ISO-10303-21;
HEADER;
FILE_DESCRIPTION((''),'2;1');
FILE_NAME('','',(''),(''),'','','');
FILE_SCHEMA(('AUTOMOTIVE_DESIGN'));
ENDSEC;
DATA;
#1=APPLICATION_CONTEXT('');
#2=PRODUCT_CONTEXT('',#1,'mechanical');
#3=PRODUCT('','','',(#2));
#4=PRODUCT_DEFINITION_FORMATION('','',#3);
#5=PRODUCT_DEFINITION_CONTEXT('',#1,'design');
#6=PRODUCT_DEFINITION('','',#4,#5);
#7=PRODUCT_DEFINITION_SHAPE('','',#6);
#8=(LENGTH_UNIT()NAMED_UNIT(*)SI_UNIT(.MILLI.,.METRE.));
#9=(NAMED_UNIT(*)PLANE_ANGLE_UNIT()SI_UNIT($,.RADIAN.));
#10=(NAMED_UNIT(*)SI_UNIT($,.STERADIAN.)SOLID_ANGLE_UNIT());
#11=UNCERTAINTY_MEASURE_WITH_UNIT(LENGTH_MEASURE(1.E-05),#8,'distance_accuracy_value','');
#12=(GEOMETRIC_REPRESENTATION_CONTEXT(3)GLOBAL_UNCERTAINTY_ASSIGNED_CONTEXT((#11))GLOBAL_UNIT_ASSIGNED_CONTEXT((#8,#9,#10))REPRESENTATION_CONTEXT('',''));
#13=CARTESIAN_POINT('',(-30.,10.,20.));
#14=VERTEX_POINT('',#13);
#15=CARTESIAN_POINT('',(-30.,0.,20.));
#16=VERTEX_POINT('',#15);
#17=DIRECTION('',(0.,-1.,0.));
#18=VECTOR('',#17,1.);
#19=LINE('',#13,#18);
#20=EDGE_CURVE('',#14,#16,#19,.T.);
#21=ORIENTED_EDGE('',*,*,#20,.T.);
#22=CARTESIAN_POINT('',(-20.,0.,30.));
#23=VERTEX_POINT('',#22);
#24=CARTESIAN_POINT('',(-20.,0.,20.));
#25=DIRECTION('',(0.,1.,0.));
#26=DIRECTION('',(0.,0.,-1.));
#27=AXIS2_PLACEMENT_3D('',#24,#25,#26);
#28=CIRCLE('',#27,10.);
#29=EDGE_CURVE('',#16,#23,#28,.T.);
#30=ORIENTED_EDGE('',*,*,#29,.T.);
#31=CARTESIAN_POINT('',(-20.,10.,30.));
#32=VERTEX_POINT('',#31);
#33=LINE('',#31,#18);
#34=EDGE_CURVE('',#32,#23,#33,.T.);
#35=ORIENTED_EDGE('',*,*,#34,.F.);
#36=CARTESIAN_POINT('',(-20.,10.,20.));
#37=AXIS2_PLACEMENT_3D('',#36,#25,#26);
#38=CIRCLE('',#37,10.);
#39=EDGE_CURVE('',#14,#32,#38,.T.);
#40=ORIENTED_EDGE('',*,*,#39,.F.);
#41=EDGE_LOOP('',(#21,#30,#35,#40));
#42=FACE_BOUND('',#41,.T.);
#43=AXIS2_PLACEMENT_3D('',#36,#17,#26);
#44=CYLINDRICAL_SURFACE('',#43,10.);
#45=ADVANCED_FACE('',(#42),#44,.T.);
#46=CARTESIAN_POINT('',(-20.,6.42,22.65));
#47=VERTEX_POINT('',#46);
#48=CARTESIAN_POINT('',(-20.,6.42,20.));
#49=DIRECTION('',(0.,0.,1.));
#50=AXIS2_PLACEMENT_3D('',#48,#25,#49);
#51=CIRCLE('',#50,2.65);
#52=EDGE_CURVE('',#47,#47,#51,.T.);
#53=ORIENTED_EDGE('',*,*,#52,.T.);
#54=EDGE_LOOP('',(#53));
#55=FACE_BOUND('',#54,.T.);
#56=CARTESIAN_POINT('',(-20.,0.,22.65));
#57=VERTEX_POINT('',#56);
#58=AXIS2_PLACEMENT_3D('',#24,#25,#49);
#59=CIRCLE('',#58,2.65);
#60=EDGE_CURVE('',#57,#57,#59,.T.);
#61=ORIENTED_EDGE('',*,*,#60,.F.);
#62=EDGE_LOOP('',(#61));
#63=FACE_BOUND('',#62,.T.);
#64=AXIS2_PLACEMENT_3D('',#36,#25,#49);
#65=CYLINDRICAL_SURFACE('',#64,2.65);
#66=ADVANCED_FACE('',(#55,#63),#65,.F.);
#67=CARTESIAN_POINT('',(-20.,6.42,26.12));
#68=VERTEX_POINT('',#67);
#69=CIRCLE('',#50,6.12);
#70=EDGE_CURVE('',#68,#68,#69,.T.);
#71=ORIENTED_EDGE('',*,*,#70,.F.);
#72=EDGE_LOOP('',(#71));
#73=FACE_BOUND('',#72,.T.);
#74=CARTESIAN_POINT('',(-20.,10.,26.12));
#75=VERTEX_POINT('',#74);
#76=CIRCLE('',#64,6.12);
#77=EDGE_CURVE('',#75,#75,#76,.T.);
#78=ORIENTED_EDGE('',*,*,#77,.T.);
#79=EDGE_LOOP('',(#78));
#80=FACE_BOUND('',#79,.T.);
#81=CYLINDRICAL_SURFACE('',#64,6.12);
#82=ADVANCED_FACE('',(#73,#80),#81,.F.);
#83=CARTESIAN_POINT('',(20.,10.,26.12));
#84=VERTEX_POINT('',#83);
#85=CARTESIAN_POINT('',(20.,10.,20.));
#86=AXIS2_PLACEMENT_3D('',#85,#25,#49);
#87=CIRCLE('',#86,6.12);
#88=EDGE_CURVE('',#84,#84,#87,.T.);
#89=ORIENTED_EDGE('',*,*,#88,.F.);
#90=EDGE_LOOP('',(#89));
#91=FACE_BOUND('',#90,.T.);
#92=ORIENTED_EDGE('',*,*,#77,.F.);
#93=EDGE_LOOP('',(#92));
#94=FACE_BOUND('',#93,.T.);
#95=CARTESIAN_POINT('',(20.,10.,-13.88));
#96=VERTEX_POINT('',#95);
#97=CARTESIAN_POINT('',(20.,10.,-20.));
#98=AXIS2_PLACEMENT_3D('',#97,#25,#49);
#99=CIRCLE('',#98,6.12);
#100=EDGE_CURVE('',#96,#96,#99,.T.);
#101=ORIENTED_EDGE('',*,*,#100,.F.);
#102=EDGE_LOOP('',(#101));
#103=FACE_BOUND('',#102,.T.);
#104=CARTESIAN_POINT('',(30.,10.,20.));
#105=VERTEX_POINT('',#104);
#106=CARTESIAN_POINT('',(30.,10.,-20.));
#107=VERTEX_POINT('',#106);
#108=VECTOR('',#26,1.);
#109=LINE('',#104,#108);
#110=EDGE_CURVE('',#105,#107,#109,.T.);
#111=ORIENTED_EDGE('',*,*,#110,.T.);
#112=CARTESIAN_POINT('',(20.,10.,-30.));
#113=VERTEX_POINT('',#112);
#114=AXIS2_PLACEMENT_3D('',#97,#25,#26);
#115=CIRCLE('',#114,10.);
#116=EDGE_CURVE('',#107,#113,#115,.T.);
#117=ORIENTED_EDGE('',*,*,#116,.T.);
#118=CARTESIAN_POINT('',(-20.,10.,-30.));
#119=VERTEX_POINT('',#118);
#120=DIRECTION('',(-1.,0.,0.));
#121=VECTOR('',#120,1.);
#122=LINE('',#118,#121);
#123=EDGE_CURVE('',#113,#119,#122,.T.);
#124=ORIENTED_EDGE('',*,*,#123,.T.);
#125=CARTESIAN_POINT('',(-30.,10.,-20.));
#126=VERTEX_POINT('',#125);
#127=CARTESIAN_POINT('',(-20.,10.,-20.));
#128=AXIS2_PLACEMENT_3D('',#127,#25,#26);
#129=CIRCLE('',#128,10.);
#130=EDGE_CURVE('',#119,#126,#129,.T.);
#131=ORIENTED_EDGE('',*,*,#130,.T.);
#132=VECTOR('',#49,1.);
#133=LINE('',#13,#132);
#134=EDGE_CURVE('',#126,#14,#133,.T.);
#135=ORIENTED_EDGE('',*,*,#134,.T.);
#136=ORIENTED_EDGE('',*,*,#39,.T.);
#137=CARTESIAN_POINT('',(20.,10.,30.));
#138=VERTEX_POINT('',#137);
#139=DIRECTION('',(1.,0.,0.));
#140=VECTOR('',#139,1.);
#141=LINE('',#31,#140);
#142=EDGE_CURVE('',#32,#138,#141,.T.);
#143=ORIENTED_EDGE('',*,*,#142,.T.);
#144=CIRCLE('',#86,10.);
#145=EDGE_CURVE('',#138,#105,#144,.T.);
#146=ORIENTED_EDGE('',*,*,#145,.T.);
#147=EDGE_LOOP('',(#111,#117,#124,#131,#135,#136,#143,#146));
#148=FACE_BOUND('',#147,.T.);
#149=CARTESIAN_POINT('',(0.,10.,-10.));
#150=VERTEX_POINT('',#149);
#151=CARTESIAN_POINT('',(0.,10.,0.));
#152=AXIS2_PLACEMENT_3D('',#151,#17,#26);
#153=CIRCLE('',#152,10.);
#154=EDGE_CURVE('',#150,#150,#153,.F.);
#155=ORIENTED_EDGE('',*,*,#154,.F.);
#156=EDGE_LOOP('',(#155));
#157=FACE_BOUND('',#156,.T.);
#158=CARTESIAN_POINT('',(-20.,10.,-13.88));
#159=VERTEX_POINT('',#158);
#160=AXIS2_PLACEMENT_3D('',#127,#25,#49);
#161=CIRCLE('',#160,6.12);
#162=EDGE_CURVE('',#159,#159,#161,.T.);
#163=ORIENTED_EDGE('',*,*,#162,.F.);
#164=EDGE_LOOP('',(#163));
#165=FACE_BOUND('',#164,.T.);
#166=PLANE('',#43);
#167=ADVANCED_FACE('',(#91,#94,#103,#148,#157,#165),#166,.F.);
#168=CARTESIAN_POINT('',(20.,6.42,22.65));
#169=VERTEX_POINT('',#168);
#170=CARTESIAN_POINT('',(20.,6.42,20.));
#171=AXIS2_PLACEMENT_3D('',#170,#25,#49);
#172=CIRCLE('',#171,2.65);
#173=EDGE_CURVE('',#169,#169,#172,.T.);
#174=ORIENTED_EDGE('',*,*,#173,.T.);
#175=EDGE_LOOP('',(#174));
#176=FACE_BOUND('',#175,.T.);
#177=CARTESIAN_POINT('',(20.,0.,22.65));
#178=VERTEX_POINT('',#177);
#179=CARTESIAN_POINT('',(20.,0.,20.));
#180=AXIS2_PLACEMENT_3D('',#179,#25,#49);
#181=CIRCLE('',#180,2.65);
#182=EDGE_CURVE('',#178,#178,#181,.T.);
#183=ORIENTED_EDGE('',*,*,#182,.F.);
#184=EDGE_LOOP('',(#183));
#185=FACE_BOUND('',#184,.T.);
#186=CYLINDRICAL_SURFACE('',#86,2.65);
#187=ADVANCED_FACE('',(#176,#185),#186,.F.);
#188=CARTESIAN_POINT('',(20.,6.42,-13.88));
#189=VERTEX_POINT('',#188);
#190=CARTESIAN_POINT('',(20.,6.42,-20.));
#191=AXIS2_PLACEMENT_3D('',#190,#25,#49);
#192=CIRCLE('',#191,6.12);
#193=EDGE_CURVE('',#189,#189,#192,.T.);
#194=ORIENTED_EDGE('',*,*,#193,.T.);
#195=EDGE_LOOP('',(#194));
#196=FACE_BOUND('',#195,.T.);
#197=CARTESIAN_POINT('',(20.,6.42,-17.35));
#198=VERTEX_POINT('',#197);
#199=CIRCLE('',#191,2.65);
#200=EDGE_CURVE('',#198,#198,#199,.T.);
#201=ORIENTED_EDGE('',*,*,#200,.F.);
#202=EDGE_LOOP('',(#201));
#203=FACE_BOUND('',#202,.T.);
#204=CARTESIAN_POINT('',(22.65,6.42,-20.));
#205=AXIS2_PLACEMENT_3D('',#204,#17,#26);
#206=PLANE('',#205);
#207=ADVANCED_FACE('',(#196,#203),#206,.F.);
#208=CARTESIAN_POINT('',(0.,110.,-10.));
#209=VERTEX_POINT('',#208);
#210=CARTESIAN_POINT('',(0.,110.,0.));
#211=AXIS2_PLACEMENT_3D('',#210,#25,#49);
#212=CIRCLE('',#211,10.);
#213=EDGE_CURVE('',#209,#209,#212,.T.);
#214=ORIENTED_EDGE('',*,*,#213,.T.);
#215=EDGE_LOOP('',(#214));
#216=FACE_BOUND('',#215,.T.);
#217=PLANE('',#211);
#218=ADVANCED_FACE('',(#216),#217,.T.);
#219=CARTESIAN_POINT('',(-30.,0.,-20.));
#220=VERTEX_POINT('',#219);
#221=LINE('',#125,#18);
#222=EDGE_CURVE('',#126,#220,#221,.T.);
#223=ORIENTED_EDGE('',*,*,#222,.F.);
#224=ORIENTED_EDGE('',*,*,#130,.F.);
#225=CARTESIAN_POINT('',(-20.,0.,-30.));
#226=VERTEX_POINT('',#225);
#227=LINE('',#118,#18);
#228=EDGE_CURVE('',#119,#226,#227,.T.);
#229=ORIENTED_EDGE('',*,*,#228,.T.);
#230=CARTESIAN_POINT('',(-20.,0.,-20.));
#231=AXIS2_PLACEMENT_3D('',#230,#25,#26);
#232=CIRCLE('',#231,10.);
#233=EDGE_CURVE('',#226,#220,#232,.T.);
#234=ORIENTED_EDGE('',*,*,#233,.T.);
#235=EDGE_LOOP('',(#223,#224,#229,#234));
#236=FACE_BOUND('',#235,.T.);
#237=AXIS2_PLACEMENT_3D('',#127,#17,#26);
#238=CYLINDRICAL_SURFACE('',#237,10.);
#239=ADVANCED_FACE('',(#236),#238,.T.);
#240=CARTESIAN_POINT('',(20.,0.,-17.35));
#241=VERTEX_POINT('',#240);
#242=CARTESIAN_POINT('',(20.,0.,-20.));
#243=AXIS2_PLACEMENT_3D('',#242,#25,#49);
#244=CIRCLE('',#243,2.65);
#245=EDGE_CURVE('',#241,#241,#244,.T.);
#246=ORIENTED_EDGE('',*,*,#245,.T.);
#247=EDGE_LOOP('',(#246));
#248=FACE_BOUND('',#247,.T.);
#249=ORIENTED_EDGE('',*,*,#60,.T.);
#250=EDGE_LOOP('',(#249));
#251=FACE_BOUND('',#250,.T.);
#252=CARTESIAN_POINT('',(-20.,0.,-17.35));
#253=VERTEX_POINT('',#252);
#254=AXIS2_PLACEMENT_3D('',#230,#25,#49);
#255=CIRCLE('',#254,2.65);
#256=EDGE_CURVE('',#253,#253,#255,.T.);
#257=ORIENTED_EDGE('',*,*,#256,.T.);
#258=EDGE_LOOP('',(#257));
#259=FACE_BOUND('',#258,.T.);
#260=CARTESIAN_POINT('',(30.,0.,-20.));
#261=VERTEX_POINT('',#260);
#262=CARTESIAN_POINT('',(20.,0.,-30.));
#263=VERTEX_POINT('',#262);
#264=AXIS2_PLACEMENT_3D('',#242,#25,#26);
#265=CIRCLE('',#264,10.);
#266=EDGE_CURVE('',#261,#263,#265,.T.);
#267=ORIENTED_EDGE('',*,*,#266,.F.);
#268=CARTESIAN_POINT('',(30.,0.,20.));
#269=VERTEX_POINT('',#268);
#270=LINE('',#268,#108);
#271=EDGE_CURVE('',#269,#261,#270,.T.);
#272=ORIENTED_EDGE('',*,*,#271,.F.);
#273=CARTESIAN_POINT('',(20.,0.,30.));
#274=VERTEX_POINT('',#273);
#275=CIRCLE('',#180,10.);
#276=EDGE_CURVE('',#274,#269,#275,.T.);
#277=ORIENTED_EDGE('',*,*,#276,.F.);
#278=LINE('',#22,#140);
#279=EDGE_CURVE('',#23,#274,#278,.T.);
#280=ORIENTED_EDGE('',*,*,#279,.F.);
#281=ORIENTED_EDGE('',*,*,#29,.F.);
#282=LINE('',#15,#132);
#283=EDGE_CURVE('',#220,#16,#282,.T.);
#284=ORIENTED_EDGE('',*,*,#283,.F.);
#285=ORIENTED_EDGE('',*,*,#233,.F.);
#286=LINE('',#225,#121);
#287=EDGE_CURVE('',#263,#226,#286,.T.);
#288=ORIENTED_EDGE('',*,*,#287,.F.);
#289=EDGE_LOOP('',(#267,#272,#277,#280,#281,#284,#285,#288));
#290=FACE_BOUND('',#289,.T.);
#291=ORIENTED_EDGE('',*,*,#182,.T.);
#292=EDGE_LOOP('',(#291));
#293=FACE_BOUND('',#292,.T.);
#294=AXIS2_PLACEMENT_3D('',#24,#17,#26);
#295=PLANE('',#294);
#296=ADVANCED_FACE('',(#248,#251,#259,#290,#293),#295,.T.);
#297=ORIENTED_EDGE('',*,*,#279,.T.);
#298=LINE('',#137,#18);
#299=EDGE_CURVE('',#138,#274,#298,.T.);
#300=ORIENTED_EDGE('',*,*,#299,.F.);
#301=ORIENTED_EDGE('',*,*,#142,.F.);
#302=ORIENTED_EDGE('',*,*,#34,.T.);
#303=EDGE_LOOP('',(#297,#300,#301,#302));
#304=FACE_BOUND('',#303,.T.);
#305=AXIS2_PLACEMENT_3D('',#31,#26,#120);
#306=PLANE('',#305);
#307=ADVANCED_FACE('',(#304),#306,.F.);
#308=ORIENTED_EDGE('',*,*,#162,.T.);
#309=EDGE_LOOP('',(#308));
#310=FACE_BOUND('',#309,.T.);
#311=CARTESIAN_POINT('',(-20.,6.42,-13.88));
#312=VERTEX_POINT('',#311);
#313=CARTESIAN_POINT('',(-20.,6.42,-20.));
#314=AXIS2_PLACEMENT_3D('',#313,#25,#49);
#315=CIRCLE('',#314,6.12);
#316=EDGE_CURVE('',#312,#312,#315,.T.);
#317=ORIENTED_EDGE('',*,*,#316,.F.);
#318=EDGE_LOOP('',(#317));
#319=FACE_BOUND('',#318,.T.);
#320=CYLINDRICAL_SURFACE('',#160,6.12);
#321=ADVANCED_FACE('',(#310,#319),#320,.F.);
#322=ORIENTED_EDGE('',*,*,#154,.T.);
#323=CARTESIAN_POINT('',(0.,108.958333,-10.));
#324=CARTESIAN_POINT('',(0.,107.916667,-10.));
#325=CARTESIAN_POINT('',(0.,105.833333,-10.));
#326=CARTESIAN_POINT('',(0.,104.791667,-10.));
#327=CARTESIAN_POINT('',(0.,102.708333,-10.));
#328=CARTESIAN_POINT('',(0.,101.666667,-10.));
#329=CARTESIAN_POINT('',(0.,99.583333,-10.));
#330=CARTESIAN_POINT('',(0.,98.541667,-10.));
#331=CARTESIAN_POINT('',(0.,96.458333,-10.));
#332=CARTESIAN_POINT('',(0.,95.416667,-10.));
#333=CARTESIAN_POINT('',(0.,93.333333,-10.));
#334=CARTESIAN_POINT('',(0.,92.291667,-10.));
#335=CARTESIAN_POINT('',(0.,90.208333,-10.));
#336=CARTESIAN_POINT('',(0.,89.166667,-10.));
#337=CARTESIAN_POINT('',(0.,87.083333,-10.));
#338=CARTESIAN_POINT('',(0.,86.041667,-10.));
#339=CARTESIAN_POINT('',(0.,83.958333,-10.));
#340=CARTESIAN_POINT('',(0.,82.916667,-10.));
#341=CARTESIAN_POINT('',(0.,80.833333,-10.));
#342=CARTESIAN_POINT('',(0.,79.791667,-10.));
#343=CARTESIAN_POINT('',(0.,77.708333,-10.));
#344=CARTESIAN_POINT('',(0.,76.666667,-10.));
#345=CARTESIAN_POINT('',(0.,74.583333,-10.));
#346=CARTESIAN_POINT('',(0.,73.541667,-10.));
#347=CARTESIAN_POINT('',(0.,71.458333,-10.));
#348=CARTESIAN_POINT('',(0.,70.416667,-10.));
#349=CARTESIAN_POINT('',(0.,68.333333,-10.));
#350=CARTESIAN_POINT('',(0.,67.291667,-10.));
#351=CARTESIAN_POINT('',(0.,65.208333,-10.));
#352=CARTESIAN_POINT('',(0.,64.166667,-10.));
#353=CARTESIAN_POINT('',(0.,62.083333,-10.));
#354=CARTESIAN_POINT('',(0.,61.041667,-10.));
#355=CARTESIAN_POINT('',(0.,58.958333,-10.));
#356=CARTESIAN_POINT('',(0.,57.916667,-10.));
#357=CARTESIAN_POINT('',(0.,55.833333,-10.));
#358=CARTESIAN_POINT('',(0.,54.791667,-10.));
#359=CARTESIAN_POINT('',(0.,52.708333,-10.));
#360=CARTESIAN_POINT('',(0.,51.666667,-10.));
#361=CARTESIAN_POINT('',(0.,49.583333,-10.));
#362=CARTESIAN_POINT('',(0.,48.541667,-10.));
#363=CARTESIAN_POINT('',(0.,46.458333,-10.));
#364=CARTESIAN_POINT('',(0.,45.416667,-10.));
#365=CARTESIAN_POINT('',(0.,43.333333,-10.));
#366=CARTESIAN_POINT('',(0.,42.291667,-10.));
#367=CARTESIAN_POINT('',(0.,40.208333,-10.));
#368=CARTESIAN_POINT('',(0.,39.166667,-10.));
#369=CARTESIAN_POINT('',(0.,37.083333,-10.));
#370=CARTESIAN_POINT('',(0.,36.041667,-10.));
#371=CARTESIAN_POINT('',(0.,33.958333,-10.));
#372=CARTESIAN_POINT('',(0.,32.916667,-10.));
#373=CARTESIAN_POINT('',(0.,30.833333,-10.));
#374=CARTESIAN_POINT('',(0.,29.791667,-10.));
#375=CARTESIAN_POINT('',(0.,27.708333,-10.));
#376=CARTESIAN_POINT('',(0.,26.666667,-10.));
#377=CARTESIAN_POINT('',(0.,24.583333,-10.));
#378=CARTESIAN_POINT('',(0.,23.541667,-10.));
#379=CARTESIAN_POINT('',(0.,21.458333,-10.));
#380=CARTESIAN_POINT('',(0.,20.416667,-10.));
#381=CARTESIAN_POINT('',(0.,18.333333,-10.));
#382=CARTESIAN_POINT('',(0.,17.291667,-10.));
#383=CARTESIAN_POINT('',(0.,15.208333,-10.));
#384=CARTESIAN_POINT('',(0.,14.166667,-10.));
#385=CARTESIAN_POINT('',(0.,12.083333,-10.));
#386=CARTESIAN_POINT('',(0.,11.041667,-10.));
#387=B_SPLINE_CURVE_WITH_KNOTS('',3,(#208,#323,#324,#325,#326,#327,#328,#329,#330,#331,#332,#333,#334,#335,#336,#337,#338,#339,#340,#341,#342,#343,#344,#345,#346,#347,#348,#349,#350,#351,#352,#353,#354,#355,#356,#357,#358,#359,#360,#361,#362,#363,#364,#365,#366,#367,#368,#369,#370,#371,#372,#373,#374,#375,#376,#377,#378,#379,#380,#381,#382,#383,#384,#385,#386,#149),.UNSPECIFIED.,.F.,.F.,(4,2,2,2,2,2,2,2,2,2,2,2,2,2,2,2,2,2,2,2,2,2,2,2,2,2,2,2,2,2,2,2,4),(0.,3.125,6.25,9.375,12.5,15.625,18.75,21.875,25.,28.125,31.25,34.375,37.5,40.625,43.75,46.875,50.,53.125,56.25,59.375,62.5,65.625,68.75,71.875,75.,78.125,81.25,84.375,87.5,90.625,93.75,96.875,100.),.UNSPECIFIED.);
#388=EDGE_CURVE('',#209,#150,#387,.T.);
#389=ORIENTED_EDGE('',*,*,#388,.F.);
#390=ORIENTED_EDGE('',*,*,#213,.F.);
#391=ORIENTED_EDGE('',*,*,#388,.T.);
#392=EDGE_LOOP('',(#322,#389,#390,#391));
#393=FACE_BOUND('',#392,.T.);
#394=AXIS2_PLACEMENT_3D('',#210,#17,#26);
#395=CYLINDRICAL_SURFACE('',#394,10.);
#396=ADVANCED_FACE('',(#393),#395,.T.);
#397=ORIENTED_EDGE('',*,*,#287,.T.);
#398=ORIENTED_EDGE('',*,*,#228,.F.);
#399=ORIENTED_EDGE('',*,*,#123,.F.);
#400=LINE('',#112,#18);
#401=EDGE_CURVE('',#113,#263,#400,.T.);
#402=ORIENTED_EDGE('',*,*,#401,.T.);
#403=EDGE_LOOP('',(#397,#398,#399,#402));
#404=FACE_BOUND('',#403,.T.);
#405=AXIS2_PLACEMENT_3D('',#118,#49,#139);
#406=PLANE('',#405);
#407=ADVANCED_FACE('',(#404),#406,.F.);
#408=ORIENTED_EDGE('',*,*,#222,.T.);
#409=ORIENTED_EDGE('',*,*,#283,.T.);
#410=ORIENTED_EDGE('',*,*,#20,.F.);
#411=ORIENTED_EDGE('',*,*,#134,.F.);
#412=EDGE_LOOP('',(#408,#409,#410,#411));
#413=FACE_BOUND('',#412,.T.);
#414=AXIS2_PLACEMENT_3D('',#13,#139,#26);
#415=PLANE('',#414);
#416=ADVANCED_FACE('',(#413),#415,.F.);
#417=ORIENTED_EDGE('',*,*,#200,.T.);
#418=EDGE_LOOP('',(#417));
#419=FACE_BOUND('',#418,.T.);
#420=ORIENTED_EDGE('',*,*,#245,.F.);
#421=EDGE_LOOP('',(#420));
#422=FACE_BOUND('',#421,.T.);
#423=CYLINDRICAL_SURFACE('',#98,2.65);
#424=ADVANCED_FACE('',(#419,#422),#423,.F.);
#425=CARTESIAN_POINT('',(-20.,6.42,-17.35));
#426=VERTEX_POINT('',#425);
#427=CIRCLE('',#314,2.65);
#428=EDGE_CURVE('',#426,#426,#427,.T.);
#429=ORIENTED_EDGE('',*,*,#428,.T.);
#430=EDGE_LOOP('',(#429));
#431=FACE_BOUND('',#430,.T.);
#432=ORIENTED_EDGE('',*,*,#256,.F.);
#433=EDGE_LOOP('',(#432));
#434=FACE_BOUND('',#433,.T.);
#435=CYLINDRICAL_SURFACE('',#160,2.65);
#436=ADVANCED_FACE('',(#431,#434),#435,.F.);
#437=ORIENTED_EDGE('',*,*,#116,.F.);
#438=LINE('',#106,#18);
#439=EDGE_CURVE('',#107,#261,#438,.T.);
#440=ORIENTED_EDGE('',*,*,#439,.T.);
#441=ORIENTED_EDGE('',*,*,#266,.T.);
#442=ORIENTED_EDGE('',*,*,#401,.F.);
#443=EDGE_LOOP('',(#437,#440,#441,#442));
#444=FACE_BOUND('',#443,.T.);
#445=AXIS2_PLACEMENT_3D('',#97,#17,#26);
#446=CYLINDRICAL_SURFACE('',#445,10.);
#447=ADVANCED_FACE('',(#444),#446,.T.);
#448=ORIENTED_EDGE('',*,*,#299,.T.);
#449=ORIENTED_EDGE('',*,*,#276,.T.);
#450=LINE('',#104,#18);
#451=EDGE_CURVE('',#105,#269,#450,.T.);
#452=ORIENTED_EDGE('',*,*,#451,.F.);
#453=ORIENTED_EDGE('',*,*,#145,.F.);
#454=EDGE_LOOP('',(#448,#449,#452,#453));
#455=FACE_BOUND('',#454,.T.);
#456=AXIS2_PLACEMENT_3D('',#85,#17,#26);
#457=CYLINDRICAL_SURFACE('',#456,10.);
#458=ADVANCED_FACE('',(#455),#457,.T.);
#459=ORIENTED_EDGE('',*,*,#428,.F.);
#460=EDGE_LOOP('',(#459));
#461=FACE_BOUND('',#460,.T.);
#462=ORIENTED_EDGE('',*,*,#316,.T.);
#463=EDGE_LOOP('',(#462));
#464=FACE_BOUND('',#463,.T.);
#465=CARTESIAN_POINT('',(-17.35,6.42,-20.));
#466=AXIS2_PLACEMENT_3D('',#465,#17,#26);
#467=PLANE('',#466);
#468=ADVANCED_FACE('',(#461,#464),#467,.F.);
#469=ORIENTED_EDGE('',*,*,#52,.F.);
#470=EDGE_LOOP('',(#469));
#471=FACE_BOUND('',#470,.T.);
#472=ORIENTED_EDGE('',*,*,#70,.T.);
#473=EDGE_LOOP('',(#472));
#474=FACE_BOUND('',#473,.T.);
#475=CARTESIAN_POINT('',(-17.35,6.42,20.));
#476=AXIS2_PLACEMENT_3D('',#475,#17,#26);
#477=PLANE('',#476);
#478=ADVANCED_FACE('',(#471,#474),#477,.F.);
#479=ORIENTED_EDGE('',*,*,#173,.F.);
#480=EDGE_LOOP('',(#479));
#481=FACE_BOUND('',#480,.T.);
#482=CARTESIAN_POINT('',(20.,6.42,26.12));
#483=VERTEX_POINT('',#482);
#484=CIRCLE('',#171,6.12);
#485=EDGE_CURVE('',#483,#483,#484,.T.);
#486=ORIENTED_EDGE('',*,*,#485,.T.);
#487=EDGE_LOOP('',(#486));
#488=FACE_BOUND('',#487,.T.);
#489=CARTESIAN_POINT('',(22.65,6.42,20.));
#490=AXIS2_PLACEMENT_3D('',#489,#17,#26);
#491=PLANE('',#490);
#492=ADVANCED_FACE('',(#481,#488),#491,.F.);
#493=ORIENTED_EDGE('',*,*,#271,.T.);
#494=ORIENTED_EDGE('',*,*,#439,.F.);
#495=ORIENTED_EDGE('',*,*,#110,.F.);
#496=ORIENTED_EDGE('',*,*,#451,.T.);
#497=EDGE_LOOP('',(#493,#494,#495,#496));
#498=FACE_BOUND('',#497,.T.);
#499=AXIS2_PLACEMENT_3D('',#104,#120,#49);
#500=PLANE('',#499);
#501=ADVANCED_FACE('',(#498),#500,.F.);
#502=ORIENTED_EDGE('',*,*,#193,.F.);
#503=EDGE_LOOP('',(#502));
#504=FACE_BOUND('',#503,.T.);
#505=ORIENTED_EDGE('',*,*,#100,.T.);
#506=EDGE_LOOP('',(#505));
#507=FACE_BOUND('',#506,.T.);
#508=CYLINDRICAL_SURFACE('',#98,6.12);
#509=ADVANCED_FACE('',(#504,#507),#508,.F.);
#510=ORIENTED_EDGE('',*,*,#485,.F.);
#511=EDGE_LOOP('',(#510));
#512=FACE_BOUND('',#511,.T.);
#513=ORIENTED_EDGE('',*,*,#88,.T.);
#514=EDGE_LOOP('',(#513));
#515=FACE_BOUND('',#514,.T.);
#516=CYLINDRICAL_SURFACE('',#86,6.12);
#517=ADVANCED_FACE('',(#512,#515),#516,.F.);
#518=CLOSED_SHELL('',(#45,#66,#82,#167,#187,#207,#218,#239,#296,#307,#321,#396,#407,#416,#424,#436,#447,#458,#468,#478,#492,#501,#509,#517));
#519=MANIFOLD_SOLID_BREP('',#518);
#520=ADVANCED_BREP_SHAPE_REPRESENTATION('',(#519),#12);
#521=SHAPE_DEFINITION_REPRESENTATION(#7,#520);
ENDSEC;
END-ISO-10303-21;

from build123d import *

# Parameters (mm, degrees)
BOSS_EXTRUDE1_DEPTH                     = 10
CBORE_FOR_M5_HEX_HEAD_BOLT1_D           = 5.3
CBORE_FOR_M5_HEX_HEAD_BOLT1_CBORE_D     = 12.24
CBORE_FOR_M5_HEX_HEAD_BOLT1_CBORE_DEPTH = 3.58
SKETCH7_R                               = 10
BOSS_EXTRUDE2_DEPTH                     = 100


with BuildPart() as part:
    # Sketch1 → Boss-Extrude1 (new body)
    with BuildSketch(Plane(origin=(0, 0, 0), x_dir=(1, 0, 0), z_dir=(0, 1, 0))):
        with BuildLine():
            Line((-20, -30), (20, -30))
            ThreePointArc((20, -30), (27.071067812, -27.071067812), (30, -20))
            Line((30, -20), (30, 20))
            ThreePointArc((30, 20), (27.071067812, 27.071067812), (20, 30))
            Line((20, 30), (-20, 30))
            ThreePointArc((-20, 30), (-27.071067812, 27.071067812), (-30, 20))
            Line((-30, 20), (-30, -20))
            ThreePointArc((-30, -20), (-27.071067812, -27.071067812), (-20, -30))
        make_face()
    extrude(amount=BOSS_EXTRUDE1_DEPTH)

    # CBORE for M5 Hex Head Bolt1 (through all)
    with Locations(Plane(origin=(0, 10, 0), x_dir=(1, 0, 0), z_dir=(0, 1, 0))):
        with Locations((-20, -20), (-20, 20), (20, 20), (20, -20)):
            CounterBoreHole(CBORE_FOR_M5_HEX_HEAD_BOLT1_D / 2, CBORE_FOR_M5_HEX_HEAD_BOLT1_CBORE_D / 2, CBORE_FOR_M5_HEX_HEAD_BOLT1_CBORE_DEPTH)

    # Sketch7 → Boss-Extrude2 (add)
    with BuildSketch(Plane(origin=(0, 10, 0), x_dir=(1, 0, 0), z_dir=(0, 1, 0))):
        with Locations(Location((0, 0, 0), (0, 0, 90))):
            Circle(SKETCH7_R)
    extrude(amount=BOSS_EXTRUDE2_DEPTH)


solid = part.part
